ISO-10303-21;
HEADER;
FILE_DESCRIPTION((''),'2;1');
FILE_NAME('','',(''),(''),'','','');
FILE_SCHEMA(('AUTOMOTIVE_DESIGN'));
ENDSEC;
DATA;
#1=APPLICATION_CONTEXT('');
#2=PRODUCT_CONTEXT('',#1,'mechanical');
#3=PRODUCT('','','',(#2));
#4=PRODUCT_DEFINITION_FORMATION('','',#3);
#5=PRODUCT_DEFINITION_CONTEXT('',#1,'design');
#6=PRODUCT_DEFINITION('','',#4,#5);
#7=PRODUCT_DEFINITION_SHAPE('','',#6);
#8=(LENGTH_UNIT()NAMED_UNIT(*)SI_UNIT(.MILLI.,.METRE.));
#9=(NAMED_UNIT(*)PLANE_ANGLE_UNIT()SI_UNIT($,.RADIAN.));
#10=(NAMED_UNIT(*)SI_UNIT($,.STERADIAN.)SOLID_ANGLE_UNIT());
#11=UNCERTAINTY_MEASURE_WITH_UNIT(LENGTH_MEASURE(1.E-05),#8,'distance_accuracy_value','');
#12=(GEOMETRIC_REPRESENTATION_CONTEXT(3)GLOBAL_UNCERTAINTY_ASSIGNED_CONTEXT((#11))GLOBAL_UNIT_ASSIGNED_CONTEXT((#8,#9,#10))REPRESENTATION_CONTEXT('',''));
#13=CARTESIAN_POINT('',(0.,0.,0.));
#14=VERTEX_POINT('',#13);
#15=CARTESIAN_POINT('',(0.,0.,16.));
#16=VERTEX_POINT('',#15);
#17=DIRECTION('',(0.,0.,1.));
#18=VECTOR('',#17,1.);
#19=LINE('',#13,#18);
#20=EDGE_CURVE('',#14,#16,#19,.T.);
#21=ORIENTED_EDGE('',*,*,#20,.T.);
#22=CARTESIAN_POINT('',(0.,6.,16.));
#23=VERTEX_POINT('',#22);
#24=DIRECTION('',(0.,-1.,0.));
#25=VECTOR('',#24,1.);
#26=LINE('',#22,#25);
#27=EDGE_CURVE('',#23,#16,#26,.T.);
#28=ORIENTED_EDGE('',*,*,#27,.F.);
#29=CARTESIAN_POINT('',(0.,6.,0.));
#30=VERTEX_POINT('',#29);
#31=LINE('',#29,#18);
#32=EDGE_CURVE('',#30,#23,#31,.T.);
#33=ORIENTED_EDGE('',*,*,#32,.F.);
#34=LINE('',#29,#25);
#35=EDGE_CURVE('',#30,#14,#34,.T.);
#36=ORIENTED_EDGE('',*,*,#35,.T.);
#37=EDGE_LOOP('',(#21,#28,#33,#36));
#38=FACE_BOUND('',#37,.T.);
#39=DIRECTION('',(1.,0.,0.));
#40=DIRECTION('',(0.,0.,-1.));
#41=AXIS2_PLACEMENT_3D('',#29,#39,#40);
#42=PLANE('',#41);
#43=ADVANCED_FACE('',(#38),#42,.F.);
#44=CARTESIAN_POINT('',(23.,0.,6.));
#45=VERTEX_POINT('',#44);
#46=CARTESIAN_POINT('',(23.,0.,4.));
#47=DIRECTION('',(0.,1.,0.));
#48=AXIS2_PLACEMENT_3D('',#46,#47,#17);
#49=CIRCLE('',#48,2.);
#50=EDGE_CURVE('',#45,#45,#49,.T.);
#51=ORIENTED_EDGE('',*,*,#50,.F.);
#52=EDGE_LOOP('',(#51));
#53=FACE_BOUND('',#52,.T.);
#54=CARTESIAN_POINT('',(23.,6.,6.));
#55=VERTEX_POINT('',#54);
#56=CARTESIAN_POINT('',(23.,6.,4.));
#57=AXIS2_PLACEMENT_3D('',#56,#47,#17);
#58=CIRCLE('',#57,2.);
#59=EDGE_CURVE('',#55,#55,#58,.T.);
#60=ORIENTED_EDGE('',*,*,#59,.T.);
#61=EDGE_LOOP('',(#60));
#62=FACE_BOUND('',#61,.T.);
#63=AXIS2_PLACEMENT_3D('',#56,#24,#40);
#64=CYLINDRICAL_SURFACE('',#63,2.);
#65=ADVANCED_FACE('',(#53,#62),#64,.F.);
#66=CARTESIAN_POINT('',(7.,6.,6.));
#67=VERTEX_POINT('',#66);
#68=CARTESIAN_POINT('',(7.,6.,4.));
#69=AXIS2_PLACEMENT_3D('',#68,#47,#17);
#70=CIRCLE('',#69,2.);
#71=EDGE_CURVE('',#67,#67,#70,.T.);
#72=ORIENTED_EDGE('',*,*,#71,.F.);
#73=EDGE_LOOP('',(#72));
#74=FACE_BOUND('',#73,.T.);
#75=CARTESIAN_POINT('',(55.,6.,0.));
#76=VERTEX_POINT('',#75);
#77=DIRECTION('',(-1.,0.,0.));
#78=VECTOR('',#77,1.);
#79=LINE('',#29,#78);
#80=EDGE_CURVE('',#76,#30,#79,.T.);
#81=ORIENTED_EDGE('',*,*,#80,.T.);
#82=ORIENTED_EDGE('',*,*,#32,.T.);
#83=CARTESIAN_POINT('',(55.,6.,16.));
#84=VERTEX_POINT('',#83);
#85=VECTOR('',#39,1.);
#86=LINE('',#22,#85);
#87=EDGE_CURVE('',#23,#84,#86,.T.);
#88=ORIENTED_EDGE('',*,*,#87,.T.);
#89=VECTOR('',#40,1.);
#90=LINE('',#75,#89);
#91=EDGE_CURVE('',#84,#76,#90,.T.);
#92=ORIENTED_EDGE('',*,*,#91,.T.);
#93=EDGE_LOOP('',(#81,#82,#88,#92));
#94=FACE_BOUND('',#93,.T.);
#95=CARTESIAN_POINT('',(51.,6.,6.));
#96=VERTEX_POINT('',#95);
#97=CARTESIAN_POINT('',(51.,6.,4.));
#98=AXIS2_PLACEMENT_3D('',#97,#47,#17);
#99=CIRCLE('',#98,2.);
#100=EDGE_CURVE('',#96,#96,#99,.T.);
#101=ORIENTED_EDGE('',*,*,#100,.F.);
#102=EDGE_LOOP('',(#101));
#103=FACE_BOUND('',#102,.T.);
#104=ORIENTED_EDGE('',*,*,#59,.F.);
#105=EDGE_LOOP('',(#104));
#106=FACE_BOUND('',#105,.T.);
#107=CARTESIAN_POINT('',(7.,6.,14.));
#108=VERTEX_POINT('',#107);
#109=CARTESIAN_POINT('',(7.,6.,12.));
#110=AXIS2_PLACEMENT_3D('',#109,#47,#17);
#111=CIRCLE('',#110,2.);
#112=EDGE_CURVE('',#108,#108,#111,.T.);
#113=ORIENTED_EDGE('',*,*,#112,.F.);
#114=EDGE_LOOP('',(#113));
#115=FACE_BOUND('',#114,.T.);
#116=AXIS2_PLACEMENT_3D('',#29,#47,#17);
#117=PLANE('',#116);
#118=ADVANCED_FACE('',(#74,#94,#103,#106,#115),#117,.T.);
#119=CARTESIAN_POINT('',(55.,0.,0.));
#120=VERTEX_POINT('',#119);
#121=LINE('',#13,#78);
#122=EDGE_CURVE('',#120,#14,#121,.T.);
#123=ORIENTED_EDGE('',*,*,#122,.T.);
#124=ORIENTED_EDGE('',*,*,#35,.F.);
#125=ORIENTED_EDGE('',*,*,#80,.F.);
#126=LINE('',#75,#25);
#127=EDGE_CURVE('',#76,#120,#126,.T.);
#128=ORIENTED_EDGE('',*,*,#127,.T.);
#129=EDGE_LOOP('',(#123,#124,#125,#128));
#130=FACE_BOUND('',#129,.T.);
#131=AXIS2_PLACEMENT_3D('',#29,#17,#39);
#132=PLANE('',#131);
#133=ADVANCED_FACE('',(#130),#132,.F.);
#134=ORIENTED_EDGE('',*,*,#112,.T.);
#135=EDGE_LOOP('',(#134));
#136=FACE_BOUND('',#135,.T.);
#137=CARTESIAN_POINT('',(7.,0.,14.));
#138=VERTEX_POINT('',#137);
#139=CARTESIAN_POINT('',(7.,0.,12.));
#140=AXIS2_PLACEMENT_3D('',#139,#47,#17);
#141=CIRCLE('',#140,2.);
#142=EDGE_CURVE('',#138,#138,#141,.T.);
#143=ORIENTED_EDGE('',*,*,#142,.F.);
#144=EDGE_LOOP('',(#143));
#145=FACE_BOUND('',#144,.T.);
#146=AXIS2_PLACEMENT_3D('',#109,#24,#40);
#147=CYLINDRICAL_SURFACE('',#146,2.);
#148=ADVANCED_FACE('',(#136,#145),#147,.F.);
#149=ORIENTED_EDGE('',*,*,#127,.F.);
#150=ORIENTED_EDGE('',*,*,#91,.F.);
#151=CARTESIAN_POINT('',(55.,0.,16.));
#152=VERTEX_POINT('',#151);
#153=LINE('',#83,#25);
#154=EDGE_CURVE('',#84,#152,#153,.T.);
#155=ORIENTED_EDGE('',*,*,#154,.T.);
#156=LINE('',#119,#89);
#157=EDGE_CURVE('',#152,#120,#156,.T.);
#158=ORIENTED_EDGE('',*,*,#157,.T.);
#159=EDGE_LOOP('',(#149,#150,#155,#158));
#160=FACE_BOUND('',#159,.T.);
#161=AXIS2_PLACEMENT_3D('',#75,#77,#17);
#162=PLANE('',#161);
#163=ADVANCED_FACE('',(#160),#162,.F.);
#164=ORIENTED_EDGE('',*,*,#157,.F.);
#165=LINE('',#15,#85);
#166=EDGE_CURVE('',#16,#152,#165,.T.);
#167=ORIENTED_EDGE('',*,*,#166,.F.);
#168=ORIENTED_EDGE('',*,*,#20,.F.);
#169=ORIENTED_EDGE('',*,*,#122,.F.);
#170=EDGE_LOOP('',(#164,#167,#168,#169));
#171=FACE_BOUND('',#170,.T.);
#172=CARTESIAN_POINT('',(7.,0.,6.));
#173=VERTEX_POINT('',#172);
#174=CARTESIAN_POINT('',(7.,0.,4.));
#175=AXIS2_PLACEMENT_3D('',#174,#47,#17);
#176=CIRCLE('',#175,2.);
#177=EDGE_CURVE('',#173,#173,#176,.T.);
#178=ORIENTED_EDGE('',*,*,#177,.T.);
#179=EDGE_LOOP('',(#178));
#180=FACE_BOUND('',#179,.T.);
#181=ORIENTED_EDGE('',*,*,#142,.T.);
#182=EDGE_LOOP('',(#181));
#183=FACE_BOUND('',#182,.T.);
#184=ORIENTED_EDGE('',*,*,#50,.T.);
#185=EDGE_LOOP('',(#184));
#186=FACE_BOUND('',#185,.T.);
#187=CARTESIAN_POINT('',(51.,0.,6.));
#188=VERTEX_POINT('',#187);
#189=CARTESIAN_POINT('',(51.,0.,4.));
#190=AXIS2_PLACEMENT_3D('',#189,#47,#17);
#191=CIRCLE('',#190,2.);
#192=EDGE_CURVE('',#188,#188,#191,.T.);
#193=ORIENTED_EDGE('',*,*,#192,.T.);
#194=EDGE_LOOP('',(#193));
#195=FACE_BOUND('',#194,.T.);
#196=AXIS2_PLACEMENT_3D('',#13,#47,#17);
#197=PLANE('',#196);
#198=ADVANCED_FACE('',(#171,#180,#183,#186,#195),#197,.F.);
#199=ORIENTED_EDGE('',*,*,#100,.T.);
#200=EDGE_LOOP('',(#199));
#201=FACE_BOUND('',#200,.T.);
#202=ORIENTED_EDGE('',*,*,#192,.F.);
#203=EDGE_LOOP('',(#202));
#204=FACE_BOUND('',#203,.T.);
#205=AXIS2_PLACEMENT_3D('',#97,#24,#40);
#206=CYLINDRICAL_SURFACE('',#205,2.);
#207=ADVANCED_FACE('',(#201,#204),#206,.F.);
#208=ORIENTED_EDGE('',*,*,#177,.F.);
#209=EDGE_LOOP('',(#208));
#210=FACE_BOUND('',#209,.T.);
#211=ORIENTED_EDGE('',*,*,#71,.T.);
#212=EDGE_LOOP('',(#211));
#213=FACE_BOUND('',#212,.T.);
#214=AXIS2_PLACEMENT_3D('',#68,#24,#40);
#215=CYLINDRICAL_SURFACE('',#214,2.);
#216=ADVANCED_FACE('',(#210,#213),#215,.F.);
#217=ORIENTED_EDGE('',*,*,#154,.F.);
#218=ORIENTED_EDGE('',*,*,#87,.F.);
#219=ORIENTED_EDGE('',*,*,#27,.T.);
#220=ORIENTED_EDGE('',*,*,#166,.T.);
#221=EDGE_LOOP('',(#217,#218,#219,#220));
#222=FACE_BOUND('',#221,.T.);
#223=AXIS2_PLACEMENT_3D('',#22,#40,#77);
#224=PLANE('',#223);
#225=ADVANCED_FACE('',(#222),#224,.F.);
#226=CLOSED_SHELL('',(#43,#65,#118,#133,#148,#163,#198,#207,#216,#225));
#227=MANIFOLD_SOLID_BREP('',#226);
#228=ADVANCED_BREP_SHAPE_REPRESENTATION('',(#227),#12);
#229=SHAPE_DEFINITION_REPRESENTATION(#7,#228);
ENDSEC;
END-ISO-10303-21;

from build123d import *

# Parameters (mm, degrees)
SKETCH2_W           = 55
SKETCH2_H           = 16
SKETCH2_R           = 2
BOSS_EXTRUDE1_DEPTH = 6


with BuildPart() as part:
    # Sketch2 → Boss-Extrude1 (new body)
    with BuildSketch(Plane(origin=(0, 0, 0), x_dir=(1, 0, 0), z_dir=(0, 1, 0))):
        with Locations((27.5, -8)):
            Rectangle(SKETCH2_W, SKETCH2_H)
        with Locations(Location((23, -4, 0), (0, 0, 270))):
            Circle(SKETCH2_R, mode=Mode.SUBTRACT)
        with Locations(Location((51, -4, 0), (0, 0, 270))):
            Circle(SKETCH2_R, mode=Mode.SUBTRACT)
        with Locations(Location((7, -4, 0), (0, 0, 270))):
            Circle(SKETCH2_R, mode=Mode.SUBTRACT)
        with Locations(Location((7, -12, 0), (0, 0, 270))):
            Circle(SKETCH2_R, mode=Mode.SUBTRACT)
    extrude(amount=BOSS_EXTRUDE1_DEPTH)


solid = part.part
